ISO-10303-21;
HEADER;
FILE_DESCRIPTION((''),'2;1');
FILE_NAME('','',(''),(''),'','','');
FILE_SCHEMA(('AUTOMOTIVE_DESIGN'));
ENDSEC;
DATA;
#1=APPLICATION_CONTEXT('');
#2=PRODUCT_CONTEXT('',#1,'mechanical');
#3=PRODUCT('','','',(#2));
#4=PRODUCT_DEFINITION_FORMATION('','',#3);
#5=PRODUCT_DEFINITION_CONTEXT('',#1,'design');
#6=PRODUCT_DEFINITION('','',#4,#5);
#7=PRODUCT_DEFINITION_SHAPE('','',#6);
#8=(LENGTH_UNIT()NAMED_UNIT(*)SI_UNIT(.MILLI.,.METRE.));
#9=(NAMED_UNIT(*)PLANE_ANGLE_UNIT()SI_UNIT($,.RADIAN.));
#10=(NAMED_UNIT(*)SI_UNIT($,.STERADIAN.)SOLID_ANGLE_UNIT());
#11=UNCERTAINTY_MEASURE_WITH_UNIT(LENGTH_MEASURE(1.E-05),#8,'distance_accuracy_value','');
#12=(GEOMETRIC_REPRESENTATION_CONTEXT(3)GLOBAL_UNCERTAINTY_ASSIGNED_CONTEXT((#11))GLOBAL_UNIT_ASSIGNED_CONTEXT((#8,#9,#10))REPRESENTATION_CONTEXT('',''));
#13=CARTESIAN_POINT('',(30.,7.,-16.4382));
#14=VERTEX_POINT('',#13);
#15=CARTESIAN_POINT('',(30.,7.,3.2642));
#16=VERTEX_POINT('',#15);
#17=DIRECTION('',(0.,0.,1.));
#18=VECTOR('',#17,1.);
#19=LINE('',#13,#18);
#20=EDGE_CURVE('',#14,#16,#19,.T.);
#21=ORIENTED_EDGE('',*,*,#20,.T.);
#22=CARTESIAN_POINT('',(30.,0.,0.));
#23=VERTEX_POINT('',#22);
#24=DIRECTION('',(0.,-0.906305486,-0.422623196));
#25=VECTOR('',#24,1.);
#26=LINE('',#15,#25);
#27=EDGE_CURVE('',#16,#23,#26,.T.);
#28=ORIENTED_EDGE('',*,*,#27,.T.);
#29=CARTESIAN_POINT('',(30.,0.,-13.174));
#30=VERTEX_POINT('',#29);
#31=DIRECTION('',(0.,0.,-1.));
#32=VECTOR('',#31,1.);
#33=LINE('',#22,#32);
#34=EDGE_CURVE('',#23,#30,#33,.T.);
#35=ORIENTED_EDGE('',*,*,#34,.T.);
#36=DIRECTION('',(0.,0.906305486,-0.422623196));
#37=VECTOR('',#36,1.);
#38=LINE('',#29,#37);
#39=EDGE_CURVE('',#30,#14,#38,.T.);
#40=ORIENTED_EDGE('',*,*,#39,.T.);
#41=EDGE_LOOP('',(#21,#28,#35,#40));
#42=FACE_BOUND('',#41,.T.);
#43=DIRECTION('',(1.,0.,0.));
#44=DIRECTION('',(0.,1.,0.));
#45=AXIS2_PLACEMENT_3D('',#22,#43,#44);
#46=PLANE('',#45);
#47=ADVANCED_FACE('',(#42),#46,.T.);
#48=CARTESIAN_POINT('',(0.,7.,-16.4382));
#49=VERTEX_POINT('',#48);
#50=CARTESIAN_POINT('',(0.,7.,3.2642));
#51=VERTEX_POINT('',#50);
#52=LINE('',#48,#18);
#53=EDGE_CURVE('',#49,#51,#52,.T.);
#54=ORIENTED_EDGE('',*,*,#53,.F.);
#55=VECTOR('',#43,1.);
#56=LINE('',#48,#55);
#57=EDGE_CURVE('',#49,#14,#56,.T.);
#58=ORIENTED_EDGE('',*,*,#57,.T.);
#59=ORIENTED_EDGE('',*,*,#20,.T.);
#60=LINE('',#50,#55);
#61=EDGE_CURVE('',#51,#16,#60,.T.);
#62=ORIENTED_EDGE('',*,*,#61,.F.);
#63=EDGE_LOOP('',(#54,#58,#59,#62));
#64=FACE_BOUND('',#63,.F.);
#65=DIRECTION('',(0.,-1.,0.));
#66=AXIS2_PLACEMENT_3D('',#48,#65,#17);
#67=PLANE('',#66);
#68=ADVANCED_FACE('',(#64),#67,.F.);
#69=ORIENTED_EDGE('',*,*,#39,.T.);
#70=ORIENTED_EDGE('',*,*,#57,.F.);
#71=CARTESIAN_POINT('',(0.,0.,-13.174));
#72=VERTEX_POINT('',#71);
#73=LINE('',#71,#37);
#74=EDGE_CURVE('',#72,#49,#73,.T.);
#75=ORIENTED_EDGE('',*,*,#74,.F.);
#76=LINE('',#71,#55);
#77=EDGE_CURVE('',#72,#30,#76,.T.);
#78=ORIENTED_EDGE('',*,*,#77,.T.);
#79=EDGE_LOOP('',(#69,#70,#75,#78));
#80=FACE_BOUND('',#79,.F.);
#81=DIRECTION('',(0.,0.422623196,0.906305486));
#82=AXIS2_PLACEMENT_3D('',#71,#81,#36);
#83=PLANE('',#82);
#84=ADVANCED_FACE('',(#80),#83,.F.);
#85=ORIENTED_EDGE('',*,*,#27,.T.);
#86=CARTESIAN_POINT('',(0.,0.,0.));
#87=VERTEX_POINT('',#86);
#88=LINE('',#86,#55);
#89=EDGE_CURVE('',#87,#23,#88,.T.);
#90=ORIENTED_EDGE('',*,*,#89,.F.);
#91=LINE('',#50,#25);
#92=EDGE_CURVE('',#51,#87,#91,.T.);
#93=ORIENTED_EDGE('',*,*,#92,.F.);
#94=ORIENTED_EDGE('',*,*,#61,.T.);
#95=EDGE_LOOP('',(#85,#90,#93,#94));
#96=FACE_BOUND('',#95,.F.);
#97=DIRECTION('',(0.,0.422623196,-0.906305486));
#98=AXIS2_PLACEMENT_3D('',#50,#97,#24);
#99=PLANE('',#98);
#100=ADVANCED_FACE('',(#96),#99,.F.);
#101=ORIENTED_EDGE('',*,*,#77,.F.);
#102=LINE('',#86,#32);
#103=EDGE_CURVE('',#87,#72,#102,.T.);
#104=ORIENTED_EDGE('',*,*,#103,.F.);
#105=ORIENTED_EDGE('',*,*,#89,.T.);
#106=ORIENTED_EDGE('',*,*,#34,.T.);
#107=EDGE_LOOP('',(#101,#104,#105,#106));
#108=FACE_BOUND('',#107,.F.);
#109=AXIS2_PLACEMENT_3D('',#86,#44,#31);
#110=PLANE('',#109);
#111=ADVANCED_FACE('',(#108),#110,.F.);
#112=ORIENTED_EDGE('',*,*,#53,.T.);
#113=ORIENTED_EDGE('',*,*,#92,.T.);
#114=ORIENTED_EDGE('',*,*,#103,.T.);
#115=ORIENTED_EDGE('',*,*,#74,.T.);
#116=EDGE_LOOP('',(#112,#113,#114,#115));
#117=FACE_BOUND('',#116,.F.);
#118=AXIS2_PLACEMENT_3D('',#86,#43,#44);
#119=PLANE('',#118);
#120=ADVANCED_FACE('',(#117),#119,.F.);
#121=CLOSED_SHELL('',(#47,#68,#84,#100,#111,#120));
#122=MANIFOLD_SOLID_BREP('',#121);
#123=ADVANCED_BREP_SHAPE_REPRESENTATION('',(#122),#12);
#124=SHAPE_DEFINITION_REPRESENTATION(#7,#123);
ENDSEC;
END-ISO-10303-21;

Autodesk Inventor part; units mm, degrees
ref_plane "YZ Plane" through (0, 0, 0) normal (1, 0, 0) x (0, 1, 0)
ref_plane "XZ Plane" through (0, 0, 0) normal (0, 1, 0) x (-1, 0, 0)
ref_plane "XY Plane" through (0, 0, 0) normal (0, 0, 1) x (1, 0, 0)
sketch "Sketch1" plane through (0, 0, 0) normal (1, 0, 0) x (0, 1, 0)
  line L0 (0, 0) -> (0, -13.174)
  line L1 (0, -13.174) -> (7, -16.4382)
  line L2 (7, -16.4382) -> (7, 3.2642)
  line L3 (7, 3.2642) -> (0, 0)
  point P0 (0, -6.587)
  dimension "d0" = 13.174
  dimension "d1" = 65
  dimension "d2" = 65
  dimension "d8" = 7
extrude "Extrusion1" add sketch "Sketch1" along normal blind 30
properties part number "Bottom Sensor Mount"
